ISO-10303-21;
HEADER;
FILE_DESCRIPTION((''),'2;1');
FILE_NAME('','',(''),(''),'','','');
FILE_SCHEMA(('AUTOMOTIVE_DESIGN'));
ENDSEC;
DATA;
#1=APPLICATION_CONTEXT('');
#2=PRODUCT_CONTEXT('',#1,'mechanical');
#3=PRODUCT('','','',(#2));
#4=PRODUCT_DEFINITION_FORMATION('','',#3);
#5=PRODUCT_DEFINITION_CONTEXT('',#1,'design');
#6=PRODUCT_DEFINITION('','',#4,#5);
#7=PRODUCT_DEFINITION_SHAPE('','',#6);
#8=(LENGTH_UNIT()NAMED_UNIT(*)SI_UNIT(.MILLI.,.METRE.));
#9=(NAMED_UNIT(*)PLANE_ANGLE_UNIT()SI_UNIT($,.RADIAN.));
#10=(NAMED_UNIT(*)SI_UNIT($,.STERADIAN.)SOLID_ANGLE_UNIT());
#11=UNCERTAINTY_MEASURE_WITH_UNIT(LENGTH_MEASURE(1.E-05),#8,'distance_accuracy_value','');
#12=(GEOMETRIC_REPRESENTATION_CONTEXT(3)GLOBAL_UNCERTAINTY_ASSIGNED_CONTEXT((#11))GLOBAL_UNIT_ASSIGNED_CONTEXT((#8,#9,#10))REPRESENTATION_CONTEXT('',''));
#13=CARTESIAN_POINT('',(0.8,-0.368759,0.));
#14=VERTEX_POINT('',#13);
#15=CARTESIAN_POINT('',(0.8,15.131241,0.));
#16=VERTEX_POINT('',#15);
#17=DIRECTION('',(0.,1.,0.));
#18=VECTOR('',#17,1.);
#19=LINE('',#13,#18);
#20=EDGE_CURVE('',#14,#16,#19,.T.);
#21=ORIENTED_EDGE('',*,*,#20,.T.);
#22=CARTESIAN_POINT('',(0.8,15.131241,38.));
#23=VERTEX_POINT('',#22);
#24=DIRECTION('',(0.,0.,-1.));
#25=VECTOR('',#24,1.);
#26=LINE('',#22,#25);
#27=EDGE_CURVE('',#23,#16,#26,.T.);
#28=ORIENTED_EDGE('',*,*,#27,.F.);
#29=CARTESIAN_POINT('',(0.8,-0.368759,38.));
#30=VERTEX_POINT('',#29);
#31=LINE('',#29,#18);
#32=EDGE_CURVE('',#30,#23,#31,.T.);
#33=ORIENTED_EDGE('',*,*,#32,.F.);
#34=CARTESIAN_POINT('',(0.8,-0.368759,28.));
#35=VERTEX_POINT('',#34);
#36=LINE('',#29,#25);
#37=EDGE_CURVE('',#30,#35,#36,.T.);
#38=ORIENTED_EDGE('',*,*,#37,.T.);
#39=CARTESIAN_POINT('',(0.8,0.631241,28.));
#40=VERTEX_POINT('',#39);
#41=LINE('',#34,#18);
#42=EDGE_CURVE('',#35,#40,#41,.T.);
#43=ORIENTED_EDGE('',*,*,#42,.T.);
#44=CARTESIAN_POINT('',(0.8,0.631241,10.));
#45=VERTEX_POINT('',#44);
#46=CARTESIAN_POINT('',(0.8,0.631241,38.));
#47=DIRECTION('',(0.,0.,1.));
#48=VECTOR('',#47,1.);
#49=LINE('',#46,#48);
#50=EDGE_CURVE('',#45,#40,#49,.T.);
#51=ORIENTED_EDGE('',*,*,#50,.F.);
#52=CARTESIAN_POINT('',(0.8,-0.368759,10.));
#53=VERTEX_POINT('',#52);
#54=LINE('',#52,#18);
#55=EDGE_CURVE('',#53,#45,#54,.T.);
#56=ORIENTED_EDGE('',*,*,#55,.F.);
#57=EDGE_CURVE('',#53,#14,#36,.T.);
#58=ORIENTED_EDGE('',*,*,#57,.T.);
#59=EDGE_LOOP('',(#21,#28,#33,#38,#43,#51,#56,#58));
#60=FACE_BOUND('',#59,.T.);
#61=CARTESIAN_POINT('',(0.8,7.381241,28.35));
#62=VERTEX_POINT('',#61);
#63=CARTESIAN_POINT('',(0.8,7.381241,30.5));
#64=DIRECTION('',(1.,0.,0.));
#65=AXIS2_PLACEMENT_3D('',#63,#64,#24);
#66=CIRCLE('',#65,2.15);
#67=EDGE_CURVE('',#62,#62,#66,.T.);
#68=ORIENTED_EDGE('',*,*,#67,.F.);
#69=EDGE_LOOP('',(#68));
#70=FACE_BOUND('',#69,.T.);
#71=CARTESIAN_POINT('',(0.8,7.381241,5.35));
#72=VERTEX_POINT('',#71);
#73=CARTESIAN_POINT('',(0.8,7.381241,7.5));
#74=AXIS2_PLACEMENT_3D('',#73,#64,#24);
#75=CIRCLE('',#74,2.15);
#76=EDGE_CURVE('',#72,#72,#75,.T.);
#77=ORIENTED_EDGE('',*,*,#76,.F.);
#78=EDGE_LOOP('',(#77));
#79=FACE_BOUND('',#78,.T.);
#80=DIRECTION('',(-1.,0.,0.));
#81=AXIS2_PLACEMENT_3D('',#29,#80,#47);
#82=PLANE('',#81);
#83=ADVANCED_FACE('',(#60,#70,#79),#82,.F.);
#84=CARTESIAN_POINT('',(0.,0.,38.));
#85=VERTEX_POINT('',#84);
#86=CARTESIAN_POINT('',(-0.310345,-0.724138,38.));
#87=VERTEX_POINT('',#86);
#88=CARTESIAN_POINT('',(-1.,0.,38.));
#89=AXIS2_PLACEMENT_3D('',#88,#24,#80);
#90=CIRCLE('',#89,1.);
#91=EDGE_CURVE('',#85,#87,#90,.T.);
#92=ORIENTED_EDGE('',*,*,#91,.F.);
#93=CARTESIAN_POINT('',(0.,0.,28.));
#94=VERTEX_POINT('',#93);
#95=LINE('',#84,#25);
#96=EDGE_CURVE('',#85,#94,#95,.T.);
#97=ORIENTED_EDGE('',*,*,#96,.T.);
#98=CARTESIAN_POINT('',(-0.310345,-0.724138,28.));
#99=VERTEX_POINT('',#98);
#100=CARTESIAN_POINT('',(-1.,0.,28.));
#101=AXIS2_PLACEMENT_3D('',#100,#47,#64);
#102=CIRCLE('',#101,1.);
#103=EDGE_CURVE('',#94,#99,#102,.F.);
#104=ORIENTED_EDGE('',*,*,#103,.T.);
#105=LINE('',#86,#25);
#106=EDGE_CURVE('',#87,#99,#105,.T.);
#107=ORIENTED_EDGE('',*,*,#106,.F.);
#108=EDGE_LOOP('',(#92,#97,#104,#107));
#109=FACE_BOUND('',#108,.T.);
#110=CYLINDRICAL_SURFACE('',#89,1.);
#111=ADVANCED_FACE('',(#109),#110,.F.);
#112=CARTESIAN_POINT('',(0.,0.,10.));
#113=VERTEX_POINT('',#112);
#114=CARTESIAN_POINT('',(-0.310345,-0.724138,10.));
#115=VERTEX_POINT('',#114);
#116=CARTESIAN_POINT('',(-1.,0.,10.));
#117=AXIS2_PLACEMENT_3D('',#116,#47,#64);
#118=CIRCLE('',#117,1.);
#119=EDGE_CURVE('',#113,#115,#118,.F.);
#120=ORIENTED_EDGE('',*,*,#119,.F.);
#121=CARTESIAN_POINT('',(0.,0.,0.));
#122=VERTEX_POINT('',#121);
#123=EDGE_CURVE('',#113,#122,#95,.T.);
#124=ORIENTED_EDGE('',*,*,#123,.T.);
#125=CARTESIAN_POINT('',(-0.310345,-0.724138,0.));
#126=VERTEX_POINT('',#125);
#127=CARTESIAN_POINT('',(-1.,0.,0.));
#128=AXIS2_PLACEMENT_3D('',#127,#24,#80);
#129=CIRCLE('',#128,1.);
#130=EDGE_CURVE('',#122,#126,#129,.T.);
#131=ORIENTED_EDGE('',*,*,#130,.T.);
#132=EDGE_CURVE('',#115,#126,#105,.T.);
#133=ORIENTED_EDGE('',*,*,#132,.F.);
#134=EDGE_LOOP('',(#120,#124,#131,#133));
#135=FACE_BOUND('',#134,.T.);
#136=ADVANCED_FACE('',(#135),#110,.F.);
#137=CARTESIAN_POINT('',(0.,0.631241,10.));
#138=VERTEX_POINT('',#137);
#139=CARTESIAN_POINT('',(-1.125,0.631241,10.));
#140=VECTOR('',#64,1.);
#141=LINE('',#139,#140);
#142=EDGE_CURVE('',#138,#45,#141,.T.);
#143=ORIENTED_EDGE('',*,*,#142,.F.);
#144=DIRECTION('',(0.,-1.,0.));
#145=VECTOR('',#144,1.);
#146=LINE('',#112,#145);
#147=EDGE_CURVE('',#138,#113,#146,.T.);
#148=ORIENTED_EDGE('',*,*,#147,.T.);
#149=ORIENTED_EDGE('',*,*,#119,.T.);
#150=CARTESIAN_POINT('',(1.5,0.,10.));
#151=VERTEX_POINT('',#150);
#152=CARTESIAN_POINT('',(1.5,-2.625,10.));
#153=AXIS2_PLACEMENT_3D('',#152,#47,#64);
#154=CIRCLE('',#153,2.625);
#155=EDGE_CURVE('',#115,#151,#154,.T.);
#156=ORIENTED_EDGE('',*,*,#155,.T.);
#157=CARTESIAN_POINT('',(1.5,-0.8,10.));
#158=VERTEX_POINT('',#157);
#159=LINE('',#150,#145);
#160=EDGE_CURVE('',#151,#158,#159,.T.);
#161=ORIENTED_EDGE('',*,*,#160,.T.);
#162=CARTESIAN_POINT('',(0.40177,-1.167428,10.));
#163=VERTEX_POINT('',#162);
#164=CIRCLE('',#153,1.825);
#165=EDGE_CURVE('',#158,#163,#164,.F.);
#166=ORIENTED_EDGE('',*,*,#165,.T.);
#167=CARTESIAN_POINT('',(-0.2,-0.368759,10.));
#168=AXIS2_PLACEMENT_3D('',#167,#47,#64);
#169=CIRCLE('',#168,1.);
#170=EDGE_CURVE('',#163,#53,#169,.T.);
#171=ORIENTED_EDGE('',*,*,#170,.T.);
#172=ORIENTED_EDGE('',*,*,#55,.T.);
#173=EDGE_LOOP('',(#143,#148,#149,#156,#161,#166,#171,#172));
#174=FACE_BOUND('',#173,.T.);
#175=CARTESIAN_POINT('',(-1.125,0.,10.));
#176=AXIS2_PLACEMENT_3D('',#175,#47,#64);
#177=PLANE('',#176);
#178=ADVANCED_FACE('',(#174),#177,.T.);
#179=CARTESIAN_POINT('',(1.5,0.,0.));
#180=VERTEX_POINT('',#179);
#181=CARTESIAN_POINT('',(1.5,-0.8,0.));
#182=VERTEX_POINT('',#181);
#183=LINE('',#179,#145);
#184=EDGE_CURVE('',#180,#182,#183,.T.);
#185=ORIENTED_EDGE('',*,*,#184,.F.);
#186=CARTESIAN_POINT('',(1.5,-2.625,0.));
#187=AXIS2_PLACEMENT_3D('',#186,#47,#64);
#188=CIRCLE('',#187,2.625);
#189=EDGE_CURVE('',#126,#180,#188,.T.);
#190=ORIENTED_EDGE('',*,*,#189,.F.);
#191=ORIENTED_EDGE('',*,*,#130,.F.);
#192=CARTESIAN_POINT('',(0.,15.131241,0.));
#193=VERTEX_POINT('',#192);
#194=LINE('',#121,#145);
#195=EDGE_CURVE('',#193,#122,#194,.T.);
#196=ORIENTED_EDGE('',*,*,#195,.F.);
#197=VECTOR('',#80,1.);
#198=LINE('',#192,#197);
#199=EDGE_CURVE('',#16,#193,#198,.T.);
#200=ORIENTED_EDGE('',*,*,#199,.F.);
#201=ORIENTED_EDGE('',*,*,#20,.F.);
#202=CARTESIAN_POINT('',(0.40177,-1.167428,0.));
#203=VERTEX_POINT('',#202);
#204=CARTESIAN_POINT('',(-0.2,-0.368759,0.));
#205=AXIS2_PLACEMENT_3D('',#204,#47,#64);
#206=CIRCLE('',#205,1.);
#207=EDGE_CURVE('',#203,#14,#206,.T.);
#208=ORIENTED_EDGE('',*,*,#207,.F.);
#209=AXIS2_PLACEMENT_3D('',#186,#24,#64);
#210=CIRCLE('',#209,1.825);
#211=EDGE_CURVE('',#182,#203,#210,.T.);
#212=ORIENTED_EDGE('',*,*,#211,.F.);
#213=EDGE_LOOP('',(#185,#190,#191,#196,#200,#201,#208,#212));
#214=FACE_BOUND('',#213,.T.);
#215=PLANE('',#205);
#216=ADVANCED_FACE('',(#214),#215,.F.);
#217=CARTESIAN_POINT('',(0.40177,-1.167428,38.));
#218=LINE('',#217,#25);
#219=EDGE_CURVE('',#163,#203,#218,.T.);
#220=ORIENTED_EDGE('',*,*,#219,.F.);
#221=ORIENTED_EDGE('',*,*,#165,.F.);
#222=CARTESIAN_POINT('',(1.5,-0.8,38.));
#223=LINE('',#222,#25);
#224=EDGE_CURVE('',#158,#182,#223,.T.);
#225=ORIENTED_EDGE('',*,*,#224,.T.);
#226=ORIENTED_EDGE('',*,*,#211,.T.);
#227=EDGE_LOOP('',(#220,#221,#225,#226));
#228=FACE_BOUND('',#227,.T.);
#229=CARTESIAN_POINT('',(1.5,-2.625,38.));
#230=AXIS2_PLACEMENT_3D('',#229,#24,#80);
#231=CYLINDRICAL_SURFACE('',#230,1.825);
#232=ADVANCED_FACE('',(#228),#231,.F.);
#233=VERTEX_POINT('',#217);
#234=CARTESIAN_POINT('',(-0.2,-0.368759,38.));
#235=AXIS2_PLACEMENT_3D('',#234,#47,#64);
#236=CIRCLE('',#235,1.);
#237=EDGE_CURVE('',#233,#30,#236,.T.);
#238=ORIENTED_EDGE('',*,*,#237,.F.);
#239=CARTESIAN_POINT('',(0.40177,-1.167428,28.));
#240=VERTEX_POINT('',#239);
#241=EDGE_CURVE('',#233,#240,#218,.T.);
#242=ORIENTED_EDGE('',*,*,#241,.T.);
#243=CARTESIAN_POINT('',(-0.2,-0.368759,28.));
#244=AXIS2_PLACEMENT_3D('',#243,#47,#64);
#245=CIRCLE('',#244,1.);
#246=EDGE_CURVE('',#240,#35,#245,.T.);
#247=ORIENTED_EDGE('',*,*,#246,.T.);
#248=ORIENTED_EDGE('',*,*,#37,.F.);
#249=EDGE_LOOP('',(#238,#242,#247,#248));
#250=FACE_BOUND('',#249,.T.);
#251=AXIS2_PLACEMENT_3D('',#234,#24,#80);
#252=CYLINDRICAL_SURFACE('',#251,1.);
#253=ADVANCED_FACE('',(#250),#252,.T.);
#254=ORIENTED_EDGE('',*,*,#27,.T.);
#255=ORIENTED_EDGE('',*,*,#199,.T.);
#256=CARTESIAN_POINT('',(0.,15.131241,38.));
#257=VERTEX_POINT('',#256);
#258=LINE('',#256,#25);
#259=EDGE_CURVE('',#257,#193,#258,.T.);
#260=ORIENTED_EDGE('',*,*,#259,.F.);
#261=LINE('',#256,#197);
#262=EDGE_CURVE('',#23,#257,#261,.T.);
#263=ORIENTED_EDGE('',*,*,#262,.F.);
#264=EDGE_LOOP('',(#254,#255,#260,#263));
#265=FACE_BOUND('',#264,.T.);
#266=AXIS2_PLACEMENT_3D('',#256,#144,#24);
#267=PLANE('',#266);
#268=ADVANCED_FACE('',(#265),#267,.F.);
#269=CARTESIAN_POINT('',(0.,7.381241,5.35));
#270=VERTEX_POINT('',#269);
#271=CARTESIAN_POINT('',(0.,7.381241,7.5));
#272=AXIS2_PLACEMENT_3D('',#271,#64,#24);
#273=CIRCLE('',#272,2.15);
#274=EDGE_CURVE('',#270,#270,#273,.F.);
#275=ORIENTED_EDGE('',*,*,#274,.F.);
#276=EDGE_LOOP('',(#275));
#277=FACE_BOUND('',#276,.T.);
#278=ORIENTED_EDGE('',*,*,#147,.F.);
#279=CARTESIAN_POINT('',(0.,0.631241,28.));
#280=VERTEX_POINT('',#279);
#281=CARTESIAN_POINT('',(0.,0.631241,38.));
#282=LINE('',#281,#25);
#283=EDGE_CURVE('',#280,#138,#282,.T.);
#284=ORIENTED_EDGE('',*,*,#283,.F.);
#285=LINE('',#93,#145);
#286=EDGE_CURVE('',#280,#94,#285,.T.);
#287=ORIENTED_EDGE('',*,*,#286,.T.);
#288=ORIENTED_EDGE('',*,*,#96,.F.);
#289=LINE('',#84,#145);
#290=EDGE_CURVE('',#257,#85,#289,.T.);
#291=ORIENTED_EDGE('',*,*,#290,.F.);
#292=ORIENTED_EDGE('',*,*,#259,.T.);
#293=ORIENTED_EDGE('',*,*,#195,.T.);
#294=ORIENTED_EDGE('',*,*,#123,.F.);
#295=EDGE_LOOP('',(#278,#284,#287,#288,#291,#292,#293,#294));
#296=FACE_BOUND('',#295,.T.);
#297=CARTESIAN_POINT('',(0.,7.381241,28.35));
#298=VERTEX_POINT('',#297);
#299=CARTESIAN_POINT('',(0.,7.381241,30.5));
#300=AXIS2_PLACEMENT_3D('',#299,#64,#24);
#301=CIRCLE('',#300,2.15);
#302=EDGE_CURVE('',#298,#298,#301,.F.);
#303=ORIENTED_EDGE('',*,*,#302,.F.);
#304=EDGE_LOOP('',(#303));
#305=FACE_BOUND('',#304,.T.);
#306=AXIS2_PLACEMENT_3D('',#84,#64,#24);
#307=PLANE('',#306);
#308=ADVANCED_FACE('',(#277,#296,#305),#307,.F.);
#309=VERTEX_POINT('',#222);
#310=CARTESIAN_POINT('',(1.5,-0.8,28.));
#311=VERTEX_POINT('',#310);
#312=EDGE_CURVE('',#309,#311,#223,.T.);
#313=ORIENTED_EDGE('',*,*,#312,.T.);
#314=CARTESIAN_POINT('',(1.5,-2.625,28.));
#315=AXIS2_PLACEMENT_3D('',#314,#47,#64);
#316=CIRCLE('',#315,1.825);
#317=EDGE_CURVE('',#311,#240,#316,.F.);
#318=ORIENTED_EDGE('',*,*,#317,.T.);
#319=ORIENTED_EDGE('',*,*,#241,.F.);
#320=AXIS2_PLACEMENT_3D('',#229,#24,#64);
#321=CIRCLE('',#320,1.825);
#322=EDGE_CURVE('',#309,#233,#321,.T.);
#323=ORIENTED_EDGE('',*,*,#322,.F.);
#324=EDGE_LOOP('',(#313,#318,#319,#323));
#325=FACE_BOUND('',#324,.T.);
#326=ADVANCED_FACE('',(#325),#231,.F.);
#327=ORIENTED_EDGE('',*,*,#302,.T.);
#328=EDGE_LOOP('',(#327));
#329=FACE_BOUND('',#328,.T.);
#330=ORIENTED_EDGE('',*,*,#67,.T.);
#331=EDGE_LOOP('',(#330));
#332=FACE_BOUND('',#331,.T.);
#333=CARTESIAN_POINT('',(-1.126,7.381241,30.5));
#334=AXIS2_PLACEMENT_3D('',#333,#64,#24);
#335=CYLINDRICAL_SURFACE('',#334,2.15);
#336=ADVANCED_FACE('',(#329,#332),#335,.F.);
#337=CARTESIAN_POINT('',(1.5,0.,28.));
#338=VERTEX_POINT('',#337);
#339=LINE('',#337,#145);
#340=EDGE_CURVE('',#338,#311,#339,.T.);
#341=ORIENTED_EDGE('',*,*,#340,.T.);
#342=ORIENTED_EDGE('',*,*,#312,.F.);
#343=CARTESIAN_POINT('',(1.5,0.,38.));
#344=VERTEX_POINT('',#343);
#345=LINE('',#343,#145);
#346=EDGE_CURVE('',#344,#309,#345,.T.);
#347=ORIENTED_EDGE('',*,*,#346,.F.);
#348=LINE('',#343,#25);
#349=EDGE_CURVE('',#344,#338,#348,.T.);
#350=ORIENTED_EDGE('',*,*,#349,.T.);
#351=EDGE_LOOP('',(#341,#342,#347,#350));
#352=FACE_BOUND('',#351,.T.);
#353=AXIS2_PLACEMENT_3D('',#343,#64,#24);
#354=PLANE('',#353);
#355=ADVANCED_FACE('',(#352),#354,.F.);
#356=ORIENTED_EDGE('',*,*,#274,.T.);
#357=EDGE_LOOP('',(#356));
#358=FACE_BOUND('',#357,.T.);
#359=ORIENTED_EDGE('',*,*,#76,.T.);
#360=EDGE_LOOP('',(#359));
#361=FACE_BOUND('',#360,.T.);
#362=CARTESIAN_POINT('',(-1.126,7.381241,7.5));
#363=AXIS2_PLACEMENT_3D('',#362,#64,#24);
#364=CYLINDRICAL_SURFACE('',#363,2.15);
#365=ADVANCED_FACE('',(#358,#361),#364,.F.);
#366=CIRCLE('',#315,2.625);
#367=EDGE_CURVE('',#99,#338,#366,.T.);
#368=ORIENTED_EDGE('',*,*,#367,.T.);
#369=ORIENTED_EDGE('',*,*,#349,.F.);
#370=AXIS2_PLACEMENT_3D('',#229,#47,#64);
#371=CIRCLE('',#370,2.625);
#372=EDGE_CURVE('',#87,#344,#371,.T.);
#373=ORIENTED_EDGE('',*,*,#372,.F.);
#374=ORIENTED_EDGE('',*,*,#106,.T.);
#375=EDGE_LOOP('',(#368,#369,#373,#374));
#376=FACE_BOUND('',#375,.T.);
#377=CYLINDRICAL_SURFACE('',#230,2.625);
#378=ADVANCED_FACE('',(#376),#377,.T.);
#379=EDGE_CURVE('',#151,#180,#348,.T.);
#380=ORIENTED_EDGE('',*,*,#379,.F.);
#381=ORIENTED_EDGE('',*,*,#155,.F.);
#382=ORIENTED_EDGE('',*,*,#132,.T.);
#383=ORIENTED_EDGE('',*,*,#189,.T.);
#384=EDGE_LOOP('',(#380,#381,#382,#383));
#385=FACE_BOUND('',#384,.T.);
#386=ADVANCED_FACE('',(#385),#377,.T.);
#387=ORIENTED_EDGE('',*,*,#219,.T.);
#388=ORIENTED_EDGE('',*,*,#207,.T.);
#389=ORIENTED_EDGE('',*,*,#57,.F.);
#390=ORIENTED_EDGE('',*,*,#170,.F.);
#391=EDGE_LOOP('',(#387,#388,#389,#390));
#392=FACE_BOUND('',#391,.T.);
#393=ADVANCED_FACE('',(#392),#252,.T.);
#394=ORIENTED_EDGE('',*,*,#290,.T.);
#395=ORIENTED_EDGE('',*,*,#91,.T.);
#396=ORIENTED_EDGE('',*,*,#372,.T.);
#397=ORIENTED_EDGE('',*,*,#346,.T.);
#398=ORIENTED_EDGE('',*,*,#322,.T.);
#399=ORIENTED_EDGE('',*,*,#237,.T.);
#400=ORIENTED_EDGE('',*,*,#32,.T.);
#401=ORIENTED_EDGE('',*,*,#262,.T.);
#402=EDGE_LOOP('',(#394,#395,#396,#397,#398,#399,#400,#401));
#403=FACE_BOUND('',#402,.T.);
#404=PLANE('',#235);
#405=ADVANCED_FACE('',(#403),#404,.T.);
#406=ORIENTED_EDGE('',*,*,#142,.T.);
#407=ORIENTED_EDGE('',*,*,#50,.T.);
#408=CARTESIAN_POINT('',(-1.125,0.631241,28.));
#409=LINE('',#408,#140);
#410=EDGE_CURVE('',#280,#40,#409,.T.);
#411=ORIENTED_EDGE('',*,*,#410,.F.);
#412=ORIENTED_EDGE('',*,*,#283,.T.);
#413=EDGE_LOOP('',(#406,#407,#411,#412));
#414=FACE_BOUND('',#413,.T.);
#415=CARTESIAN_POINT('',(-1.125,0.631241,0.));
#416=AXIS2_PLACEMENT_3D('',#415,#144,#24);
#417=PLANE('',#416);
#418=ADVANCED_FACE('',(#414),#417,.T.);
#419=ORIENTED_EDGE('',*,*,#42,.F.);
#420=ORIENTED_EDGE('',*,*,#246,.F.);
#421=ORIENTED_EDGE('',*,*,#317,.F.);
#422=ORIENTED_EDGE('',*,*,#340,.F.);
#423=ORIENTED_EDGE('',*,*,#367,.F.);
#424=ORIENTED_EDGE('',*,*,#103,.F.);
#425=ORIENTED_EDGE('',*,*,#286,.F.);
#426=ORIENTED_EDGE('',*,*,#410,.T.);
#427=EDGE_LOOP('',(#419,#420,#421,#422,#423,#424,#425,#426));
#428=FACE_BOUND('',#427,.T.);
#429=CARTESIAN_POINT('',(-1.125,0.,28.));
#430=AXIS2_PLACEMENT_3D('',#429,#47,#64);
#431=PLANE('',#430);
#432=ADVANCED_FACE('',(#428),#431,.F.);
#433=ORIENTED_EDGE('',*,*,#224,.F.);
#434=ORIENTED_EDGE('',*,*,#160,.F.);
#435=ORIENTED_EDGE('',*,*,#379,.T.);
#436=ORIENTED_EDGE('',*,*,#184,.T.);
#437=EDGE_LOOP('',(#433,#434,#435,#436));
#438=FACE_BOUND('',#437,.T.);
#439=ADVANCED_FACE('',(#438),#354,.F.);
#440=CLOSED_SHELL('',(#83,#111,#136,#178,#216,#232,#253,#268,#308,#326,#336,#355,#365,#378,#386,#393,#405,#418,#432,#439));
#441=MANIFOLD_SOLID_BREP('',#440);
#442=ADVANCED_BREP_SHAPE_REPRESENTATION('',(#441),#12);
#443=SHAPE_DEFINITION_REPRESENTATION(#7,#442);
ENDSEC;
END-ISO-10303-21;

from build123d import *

# Parameters (mm, degrees)
BOSS_EXTRUDE1_DEPTH     = 38
CUT_EXTRUDE1_REACH      = 43.037
SKETCH2_R               = 2.15
CUT_EXTRUDE4_DEPTH      = 42.036691991
CUT_EXTRUDE4_DEPTH_BACK = 42.036691991
SKETCH3_W               = 18
SKETCH3_H               = 1
SKETCH3_H_2             = 4.881241343


with BuildPart() as part:
    # Sketch1 → Boss-Extrude1 (new body)
    with BuildSketch(Plane.XY):
        with BuildLine():
            Line((0.8, -0.368758657), (0.8, 15.131241343))
            Line((0.8, 15.131241343), (0, 15.131241343))
            Line((0, 15.131241343), (0, 0))
            ThreePointArc((0, 0), (-0.08085497, -0.393919299), (-0.310344828, -0.724137931))
            ThreePointArc((-0.310344828, -0.724137931), (2.474900525, -5.062251314), (1.5, 0))
            Line((1.5, 0), (1.5, -0.8))
            ThreePointArc((1.5, -0.8), (2.079032119, -4.355707025), (0.401769912, -1.167428159))
            ThreePointArc((0.401769912, -1.167428159), (0.69492176, -0.814981745), (0.8, -0.368758657))
        make_face()
    extrude(amount=BOSS_EXTRUDE1_DEPTH)

    # Sketch2 → Cut-Extrude1 (cut, up to next)
    with BuildSketch(Plane(origin=(0.8, 0, 0), x_dir=(0, 0, -1), z_dir=(1, 0, 0)), mode=Mode.PRIVATE) as cut_extrude1_sk1:
        with Locations((-30.5, 7.381241343)):
            Circle(SKETCH2_R)
    cut_extrude1_tool1 = extrude(cut_extrude1_sk1.sketch, amount=-CUT_EXTRUDE1_REACH, mode=Mode.PRIVATE) & part.part
    # Sketch2 → Cut-Extrude1 (cut, up to next)
    with BuildSketch(Plane(origin=(0.8, 0, 0), x_dir=(0, 0, -1), z_dir=(1, 0, 0)), mode=Mode.PRIVATE) as cut_extrude1_sk2:
        with Locations((-7.5, 7.381241343)):
            Circle(SKETCH2_R)
    cut_extrude1_tool2 = extrude(cut_extrude1_sk2.sketch, amount=-CUT_EXTRUDE1_REACH, mode=Mode.PRIVATE) & part.part
    add(cut_extrude1_tool1.solids().sort_by_distance((0.8, 7.381241, 30.5))[0], mode=Mode.SUBTRACT)
    add(cut_extrude1_tool2.solids().sort_by_distance((0.8, 7.381241, 7.5))[0], mode=Mode.SUBTRACT)

    # Sketch3 → Cut-Extrude4 (cut, two sides: drawn at the far end of the back side and taken through both)
    with BuildSketch(Plane(origin=(0.8, 0, 0), x_dir=(0, 0, -1), z_dir=(1, 0, 0)).offset(-CUT_EXTRUDE4_DEPTH_BACK)):
        with Locations((-19, 0.131241343)):
            Rectangle(SKETCH3_W, SKETCH3_H)
        with Locations((-19, -2.809379328)):
            Rectangle(SKETCH3_W, SKETCH3_H_2)
    extrude(amount=CUT_EXTRUDE4_DEPTH + CUT_EXTRUDE4_DEPTH_BACK, mode=Mode.SUBTRACT)


solid = part.part
